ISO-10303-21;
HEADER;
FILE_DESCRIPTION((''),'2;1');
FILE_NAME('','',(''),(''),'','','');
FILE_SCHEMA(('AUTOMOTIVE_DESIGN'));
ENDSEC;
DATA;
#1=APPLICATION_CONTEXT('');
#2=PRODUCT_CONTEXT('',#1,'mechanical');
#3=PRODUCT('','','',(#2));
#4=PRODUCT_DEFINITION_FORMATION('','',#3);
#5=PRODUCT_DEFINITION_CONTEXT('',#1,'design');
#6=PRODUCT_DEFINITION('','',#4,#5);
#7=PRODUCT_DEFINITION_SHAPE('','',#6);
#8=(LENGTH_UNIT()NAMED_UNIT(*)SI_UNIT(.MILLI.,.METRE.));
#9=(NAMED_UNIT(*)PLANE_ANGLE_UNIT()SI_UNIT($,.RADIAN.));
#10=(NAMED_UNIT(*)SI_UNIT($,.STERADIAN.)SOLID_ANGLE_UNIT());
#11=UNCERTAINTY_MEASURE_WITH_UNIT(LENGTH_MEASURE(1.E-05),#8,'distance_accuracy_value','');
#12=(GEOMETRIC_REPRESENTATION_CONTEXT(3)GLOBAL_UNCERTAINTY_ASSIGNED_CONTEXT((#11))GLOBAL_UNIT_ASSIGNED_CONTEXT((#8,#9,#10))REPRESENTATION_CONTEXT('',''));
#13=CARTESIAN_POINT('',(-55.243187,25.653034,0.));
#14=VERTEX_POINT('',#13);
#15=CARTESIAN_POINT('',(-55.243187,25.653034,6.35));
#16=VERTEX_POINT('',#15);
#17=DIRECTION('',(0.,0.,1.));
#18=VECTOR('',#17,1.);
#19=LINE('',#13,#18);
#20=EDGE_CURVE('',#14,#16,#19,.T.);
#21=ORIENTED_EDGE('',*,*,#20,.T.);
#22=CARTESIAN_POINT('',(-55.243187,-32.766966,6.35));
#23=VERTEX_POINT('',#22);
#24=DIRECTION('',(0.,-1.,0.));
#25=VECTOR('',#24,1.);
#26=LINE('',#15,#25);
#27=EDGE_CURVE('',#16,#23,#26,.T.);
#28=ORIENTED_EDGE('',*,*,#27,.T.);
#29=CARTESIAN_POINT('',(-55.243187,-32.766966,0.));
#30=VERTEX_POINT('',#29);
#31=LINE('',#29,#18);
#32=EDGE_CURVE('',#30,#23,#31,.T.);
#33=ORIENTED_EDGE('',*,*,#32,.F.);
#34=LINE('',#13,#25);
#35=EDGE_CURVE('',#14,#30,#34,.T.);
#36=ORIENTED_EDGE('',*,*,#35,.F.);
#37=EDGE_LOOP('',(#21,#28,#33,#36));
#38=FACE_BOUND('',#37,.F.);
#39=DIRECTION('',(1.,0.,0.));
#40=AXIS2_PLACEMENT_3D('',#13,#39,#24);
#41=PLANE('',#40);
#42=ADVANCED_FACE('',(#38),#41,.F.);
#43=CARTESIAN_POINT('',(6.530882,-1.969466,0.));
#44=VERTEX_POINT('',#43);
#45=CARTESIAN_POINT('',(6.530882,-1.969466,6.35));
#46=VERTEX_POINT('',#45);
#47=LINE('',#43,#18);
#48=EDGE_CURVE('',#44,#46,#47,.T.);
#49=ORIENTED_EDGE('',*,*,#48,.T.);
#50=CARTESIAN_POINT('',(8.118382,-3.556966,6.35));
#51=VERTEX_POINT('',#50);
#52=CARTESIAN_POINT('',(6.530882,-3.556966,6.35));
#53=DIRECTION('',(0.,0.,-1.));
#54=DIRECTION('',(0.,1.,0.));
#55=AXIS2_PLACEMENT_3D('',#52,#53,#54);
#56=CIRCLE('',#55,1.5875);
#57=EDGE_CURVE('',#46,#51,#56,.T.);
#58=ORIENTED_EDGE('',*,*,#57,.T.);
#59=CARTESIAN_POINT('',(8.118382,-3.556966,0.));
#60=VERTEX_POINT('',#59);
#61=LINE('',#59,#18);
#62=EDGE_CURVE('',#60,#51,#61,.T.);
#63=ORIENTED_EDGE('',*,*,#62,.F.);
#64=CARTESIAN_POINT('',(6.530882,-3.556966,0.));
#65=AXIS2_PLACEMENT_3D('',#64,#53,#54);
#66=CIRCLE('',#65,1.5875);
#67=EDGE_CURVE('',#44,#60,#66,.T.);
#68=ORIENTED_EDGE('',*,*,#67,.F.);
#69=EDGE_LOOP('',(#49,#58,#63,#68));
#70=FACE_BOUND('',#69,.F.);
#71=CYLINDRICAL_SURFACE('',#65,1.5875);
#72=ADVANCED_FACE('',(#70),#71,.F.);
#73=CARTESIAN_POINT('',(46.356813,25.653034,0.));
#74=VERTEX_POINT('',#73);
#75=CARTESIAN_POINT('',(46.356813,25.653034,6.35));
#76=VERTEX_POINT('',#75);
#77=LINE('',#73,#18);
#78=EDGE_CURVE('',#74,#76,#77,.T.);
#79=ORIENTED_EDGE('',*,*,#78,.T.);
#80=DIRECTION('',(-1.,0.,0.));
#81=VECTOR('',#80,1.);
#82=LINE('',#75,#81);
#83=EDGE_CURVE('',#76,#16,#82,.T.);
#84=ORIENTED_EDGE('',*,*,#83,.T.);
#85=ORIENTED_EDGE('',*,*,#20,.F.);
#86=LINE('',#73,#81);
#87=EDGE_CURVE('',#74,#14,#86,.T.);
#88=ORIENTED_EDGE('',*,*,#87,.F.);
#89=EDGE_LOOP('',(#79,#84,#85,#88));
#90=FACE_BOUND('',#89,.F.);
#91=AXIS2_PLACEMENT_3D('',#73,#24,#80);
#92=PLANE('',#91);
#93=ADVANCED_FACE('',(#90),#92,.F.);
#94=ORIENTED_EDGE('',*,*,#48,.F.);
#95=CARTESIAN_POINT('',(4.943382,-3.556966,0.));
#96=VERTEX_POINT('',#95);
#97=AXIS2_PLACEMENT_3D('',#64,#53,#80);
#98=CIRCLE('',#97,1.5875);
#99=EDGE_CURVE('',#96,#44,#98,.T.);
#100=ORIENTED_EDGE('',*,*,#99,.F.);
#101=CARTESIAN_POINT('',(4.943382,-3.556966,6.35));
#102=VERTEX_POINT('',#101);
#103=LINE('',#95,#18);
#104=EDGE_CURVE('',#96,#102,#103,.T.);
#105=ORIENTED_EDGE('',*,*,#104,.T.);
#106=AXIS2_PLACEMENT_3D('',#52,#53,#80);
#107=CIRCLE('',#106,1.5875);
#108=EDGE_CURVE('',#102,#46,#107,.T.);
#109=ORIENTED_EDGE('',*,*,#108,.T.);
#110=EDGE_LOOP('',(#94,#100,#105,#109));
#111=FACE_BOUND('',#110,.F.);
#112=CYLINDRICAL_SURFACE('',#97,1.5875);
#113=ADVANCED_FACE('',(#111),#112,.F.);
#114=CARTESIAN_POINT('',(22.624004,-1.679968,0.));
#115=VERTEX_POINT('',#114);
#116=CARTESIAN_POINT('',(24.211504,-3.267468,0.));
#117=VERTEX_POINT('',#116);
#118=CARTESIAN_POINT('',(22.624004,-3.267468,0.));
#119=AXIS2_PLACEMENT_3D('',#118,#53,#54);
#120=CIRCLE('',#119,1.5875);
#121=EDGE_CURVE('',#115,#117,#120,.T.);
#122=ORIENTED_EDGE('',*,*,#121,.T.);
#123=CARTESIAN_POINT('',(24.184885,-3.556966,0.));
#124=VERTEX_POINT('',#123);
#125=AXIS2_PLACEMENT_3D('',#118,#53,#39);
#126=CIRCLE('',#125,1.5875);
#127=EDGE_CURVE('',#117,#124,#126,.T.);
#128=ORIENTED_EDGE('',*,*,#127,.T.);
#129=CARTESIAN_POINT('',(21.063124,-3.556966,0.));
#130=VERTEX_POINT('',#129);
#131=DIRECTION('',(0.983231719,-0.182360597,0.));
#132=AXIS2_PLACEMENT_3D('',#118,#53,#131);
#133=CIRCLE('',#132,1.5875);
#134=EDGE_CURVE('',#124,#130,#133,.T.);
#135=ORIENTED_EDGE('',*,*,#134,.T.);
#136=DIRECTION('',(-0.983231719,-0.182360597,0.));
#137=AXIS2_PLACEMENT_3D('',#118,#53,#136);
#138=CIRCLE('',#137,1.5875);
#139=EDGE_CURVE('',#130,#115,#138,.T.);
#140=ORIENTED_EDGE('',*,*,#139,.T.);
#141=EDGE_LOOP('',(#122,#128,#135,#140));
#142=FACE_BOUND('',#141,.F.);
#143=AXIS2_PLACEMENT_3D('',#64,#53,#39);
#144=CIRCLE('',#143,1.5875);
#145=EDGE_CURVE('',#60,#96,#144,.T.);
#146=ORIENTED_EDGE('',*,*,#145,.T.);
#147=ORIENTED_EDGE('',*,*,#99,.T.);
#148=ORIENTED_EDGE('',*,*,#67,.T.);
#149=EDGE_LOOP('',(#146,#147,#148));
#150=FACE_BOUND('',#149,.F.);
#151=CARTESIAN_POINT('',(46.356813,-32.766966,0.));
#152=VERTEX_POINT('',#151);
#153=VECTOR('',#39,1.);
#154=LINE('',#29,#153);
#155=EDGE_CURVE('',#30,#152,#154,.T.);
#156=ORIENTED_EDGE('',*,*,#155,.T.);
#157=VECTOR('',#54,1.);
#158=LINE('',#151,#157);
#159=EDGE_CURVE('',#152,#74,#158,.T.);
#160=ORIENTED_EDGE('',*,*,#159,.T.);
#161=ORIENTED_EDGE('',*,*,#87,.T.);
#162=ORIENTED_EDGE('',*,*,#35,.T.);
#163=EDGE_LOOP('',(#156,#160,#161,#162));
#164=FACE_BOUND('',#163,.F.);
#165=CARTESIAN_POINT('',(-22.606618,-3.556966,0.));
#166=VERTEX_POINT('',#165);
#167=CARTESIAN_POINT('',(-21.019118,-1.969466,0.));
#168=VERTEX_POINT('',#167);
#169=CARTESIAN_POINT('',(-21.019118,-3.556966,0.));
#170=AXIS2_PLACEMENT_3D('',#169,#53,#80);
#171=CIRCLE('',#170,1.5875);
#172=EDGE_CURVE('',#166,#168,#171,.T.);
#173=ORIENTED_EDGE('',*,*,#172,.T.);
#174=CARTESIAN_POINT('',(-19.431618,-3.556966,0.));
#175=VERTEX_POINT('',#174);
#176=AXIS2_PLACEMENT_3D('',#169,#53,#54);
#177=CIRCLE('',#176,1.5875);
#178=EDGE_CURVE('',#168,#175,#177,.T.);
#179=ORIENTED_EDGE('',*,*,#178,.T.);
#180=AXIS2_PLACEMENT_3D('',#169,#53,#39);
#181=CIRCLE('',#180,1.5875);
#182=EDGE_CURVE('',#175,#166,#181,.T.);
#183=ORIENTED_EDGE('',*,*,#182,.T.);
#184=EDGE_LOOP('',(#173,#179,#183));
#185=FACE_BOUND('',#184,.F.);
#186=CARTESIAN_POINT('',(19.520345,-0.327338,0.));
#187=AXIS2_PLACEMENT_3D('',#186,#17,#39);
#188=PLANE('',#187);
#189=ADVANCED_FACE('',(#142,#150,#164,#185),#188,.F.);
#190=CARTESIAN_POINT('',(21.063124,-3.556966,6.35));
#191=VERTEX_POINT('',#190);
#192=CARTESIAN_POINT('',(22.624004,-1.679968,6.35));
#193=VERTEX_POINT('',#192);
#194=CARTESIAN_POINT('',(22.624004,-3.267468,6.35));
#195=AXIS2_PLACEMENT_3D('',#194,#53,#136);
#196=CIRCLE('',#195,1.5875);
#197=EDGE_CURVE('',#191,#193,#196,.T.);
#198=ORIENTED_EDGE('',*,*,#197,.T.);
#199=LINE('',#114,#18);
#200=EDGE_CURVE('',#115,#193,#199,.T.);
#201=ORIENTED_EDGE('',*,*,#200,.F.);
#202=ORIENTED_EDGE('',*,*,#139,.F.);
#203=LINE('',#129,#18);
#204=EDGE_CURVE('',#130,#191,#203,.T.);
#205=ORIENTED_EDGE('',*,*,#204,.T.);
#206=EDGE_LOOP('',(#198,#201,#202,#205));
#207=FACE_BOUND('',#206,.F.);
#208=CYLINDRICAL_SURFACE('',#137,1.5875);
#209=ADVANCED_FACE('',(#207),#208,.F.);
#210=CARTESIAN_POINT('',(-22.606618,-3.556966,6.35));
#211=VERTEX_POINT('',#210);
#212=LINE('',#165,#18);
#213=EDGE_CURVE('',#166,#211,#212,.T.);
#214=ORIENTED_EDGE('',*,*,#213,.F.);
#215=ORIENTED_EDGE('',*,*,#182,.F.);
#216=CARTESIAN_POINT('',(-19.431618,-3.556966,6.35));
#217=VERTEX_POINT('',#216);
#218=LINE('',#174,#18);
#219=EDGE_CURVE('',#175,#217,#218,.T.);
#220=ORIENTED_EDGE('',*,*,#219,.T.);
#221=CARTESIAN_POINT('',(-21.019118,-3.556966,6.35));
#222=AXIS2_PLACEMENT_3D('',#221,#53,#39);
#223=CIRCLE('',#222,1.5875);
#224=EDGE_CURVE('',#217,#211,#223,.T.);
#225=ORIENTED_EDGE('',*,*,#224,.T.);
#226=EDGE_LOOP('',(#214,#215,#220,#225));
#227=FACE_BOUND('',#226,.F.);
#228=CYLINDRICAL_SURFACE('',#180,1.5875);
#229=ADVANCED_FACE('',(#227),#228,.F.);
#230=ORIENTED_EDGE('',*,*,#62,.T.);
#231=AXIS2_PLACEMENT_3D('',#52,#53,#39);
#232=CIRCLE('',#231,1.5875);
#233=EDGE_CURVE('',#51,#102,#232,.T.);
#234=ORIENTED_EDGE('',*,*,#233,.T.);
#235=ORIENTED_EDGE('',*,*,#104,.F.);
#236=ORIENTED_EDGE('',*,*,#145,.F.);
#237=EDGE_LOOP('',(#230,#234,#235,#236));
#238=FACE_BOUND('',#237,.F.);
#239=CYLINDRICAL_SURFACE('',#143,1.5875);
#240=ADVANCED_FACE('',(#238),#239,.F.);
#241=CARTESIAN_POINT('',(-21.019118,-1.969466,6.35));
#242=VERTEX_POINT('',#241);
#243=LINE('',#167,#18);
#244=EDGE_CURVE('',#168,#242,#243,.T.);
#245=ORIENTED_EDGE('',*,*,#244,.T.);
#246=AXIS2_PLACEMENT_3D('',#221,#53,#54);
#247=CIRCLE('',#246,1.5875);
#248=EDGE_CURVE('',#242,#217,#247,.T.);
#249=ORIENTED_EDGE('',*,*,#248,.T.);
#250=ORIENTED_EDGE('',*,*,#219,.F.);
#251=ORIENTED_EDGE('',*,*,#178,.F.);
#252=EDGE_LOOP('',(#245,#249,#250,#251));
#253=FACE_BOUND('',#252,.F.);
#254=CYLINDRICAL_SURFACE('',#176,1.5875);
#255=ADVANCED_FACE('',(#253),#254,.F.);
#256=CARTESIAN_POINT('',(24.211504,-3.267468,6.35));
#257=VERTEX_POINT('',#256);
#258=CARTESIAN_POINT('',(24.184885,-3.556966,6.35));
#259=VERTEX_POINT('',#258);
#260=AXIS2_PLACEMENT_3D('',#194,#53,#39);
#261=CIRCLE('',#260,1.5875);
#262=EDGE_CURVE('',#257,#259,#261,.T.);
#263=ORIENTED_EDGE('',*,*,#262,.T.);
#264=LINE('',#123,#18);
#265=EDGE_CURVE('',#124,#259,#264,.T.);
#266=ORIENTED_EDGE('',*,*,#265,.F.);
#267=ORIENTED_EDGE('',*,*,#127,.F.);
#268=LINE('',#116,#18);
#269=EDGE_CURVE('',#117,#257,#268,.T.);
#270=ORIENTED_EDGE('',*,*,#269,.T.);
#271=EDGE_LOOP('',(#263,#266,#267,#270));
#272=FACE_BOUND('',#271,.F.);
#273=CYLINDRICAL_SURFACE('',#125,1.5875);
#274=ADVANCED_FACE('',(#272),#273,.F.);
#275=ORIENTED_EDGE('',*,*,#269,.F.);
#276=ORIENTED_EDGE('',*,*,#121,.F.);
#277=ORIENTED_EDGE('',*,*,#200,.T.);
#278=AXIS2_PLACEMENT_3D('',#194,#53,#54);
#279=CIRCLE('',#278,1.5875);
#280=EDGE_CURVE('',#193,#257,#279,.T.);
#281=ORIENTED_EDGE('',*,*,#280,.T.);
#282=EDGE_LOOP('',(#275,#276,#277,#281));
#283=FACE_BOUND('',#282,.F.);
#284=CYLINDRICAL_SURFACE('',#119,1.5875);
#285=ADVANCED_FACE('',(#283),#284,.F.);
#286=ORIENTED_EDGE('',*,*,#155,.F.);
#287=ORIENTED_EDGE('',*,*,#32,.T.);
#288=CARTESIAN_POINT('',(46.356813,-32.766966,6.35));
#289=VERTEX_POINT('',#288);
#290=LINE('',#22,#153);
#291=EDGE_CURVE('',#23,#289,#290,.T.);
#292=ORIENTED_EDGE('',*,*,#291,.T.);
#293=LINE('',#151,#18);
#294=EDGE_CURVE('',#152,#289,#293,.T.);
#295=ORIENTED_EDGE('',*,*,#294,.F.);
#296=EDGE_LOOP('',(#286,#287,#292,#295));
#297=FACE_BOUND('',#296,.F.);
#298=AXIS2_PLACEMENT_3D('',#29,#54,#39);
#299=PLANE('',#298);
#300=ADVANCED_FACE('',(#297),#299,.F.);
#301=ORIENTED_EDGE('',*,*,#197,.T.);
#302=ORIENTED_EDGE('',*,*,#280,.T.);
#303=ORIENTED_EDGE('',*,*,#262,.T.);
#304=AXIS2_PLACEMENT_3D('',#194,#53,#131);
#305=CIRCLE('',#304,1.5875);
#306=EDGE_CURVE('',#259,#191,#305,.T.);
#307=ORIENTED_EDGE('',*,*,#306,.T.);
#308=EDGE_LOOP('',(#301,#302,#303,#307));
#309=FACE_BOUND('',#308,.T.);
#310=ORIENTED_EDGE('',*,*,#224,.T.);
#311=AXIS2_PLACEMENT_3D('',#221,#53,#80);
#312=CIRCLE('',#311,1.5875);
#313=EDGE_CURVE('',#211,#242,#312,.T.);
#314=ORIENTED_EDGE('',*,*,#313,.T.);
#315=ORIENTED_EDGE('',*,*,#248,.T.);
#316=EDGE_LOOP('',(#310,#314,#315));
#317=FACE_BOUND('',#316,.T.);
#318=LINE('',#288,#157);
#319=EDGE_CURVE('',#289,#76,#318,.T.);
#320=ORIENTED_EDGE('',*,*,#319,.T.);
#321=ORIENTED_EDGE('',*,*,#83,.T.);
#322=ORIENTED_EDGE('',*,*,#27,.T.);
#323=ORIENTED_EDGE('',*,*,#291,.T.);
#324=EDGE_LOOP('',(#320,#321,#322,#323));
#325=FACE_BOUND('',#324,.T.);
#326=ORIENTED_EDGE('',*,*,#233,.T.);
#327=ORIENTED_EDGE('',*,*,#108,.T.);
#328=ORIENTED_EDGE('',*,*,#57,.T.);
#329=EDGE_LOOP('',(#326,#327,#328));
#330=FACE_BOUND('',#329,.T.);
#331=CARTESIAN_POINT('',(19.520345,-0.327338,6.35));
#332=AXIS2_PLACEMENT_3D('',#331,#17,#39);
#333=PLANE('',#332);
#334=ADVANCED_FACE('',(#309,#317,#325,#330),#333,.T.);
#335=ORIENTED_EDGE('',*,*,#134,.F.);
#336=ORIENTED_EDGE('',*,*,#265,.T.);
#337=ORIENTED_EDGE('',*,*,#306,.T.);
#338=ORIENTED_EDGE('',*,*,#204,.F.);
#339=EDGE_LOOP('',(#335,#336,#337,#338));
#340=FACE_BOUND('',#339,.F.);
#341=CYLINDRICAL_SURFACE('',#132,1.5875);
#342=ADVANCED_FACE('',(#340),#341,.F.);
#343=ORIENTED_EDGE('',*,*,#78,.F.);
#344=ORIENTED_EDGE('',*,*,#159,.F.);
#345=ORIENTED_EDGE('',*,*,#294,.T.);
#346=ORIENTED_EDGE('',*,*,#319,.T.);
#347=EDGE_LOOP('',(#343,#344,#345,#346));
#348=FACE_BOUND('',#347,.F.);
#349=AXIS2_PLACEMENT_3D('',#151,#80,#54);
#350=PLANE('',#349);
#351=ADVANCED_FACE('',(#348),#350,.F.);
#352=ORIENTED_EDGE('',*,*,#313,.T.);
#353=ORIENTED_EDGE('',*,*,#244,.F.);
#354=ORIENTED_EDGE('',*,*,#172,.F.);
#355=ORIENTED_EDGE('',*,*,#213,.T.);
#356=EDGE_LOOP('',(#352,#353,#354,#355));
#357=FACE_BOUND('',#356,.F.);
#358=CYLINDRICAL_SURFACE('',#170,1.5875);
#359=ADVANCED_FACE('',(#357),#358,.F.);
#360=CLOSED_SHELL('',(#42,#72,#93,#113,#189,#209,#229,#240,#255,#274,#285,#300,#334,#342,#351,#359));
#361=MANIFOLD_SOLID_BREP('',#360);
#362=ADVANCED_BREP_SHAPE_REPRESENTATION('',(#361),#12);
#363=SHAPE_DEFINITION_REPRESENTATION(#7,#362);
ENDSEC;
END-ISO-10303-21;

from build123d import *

# Parameters (mm, degrees)
F1_DEPTH = 6.35


with BuildPart() as f1:
    # F0 (on Top) → F1 (new body)
    with BuildSketch(Plane.XY):
        with BuildLine():
            ThreePointArc((22.624004341, 3.8826317272), (17.466782913, 1.685005569), (15.4797674162, -3.5569657209))
            Line((15.4797674162, -3.5569657209), (21.0631239876, -3.5569657209))
            ThreePointArc((21.0631239876, -3.5569657209), (21.4034033724, -2.2524364873), (22.624004341, -1.6799682728))
            Line((22.624004341, -1.6799682728), (22.624004341, 3.8826317272))
        make_face()
        with BuildLine():
            ThreePointArc((-40.0691179239, -3.5569657209), (-21.0191179239, -22.6069657209), (-1.9691179239, -3.5569657209))
            Line((-1.9691179239, -3.5569657209), (-19.4316179239, -3.5569657209))
            ThreePointArc((-19.4316179239, -3.5569657209), (-21.0191179239, -5.1444657209), (-22.6066179239, -3.5569657209))
            Line((-22.6066179239, -3.5569657209), (-40.0691179239, -3.5569657209))
        make_face()
        with BuildLine():
            ThreePointArc((15.0308820761, -3.5569657209), (6.5308820761, -12.0569657209), (-1.9691179239, -3.5569657209))
            ThreePointArc((-1.9691179239, -3.5569657209), (-21.0191179239, -22.6069657209), (-40.0691179239, -3.5569657209))
            Line((-40.0691179239, -3.5569657209), (-55.2431867614, -3.5569657209))
            Line((-55.2431867614, -3.5569657209), (-55.2431867614, -32.7669657209))
            Line((-55.2431867614, -32.7669657209), (46.3568132386, -32.7669657209))
            Line((46.3568132386, -32.7669657209), (46.3568132386, -3.5569657209))
            Line((46.3568132386, -3.5569657209), (29.7682412658, -3.5569657209))
            ThreePointArc((29.7682412658, -3.5569657209), (22.624004341, -10.4175682728), (15.4797674162, -3.5569657209))
            Line((15.4797674162, -3.5569657209), (15.0308820761, -3.5569657209))
        make_face()
        with BuildLine():
            Line((8.1183820761, -3.5569657209), (15.0308820761, -3.5569657209))
            ThreePointArc((15.0308820761, -3.5569657209), (12.5412897162, 2.4534419192), (6.5308820761, 4.9430342791))
            Line((6.5308820761, 4.9430342791), (6.5308820761, -1.9694657209))
            ThreePointArc((6.5308820761, -1.9694657209), (7.6534140913, -2.4344337058), (8.1183820761, -3.5569657209))
        make_face()
        with BuildLine():
            ThreePointArc((29.774104341, -3.2674682728), (27.6798885371, 1.7884159234), (22.624004341, 3.8826317272))
            Line((22.624004341, 3.8826317272), (22.624004341, -1.6799682728))
            ThreePointArc((22.624004341, -1.6799682728), (23.7465363561, -2.1449362576), (24.211504341, -3.2674682728))
            ThreePointArc((24.211504341, -3.2674682728), (24.2048354216, -3.4128276361), (24.1848846943, -3.5569657209))
            Line((24.1848846943, -3.5569657209), (29.7682412658, -3.5569657209))
            ThreePointArc((29.7682412658, -3.5569657209), (29.7726384219, -3.4122466794), (29.774104341, -3.2674682728))
        make_face()
        with BuildLine():
            Line((-21.0191179239, -1.9694657209), (-21.0191179239, 15.4930342791))
            ThreePointArc((-21.0191179239, 15.4930342791), (-34.4895021055, 9.9134184607), (-40.0691179239, -3.5569657209))
            Line((-40.0691179239, -3.5569657209), (-22.6066179239, -3.5569657209))
            ThreePointArc((-22.6066179239, -3.5569657209), (-22.141649939, -2.4344337058), (-21.0191179239, -1.9694657209))
        make_face()
        with BuildLine():
            Line((4.9433820761, -3.5569657209), (-1.9691179239, -3.5569657209))
            ThreePointArc((-1.9691179239, -3.5569657209), (6.5308820761, -12.0569657209), (15.0308820761, -3.5569657209))
            Line((15.0308820761, -3.5569657209), (8.1183820761, -3.5569657209))
            ThreePointArc((8.1183820761, -3.5569657209), (6.5308820761, -5.1444657209), (4.9433820761, -3.5569657209))
        make_face()
        with BuildLine():
            ThreePointArc((-40.0691179239, -3.5569657209), (-34.4895021055, 9.9134184607), (-21.0191179239, 15.4930342791))
            Line((-21.0191179239, 15.4930342791), (-21.0191179239, 25.6530342791))
            Line((-21.0191179239, 25.6530342791), (-55.2431867614, 25.6530342791))
            Line((-55.2431867614, 25.6530342791), (-55.2431867614, -3.5569657209))
            Line((-55.2431867614, -3.5569657209), (-40.0691179239, -3.5569657209))
        make_face()
        with BuildLine():
            Line((22.624004341, 25.6530342791), (22.624004341, 3.8826317272))
            ThreePointArc((22.624004341, 3.8826317272), (27.6798885371, 1.7884159234), (29.774104341, -3.2674682728))
            ThreePointArc((29.774104341, -3.2674682728), (29.7726384219, -3.4122466794), (29.7682412658, -3.5569657209))
            Line((29.7682412658, -3.5569657209), (46.3568132386, -3.5569657209))
            Line((46.3568132386, -3.5569657209), (46.3568132386, 25.6530342791))
            Line((46.3568132386, 25.6530342791), (22.624004341, 25.6530342791))
        make_face()
        with BuildLine():
            ThreePointArc((-21.0191179239, 15.4930342791), (-7.5487337423, 9.9134184607), (-1.9691179239, -3.5569657209))
            ThreePointArc((-1.9691179239, -3.5569657209), (0.520474436, 2.4534419192), (6.5308820761, 4.9430342791))
            Line((6.5308820761, 4.9430342791), (6.5308820761, 25.6530342791))
            Line((6.5308820761, 25.6530342791), (-21.0191179239, 25.6530342791))
            Line((-21.0191179239, 25.6530342791), (-21.0191179239, 15.4930342791))
        make_face()
        with BuildLine():
            Line((-19.4316179239, -3.5569657209), (-1.9691179239, -3.5569657209))
            ThreePointArc((-1.9691179239, -3.5569657209), (-7.5487337423, 9.9134184607), (-21.0191179239, 15.4930342791))
            Line((-21.0191179239, 15.4930342791), (-21.0191179239, -1.9694657209))
            ThreePointArc((-21.0191179239, -1.9694657209), (-19.8965859087, -2.4344337058), (-19.4316179239, -3.5569657209))
        make_face()
        with BuildLine():
            ThreePointArc((6.5308820761, 4.9430342791), (12.5412897162, 2.4534419192), (15.0308820761, -3.5569657209))
            Line((15.0308820761, -3.5569657209), (15.4797674162, -3.5569657209))
            ThreePointArc((15.4797674162, -3.5569657209), (17.466782913, 1.685005569), (22.624004341, 3.8826317272))
            Line((22.624004341, 3.8826317272), (22.624004341, 25.6530342791))
            Line((22.624004341, 25.6530342791), (6.5308820761, 25.6530342791))
            Line((6.5308820761, 25.6530342791), (6.5308820761, 4.9430342791))
        make_face()
        with BuildLine():
            ThreePointArc((6.5308820761, 4.9430342791), (0.520474436, 2.4534419192), (-1.9691179239, -3.5569657209))
            Line((-1.9691179239, -3.5569657209), (4.9433820761, -3.5569657209))
            ThreePointArc((4.9433820761, -3.5569657209), (5.408350061, -2.4344337058), (6.5308820761, -1.9694657209))
            Line((6.5308820761, -1.9694657209), (6.5308820761, 4.9430342791))
        make_face()
        with BuildLine():
            Line((21.0631239876, -3.5569657209), (15.4797674162, -3.5569657209))
            ThreePointArc((15.4797674162, -3.5569657209), (22.624004341, -10.4175682728), (29.7682412658, -3.5569657209))
            Line((29.7682412658, -3.5569657209), (24.1848846943, -3.5569657209))
            ThreePointArc((24.1848846943, -3.5569657209), (22.624004341, -4.8549682728), (21.0631239876, -3.5569657209))
        make_face()
    extrude(amount=F1_DEPTH)


solid = f1.part
